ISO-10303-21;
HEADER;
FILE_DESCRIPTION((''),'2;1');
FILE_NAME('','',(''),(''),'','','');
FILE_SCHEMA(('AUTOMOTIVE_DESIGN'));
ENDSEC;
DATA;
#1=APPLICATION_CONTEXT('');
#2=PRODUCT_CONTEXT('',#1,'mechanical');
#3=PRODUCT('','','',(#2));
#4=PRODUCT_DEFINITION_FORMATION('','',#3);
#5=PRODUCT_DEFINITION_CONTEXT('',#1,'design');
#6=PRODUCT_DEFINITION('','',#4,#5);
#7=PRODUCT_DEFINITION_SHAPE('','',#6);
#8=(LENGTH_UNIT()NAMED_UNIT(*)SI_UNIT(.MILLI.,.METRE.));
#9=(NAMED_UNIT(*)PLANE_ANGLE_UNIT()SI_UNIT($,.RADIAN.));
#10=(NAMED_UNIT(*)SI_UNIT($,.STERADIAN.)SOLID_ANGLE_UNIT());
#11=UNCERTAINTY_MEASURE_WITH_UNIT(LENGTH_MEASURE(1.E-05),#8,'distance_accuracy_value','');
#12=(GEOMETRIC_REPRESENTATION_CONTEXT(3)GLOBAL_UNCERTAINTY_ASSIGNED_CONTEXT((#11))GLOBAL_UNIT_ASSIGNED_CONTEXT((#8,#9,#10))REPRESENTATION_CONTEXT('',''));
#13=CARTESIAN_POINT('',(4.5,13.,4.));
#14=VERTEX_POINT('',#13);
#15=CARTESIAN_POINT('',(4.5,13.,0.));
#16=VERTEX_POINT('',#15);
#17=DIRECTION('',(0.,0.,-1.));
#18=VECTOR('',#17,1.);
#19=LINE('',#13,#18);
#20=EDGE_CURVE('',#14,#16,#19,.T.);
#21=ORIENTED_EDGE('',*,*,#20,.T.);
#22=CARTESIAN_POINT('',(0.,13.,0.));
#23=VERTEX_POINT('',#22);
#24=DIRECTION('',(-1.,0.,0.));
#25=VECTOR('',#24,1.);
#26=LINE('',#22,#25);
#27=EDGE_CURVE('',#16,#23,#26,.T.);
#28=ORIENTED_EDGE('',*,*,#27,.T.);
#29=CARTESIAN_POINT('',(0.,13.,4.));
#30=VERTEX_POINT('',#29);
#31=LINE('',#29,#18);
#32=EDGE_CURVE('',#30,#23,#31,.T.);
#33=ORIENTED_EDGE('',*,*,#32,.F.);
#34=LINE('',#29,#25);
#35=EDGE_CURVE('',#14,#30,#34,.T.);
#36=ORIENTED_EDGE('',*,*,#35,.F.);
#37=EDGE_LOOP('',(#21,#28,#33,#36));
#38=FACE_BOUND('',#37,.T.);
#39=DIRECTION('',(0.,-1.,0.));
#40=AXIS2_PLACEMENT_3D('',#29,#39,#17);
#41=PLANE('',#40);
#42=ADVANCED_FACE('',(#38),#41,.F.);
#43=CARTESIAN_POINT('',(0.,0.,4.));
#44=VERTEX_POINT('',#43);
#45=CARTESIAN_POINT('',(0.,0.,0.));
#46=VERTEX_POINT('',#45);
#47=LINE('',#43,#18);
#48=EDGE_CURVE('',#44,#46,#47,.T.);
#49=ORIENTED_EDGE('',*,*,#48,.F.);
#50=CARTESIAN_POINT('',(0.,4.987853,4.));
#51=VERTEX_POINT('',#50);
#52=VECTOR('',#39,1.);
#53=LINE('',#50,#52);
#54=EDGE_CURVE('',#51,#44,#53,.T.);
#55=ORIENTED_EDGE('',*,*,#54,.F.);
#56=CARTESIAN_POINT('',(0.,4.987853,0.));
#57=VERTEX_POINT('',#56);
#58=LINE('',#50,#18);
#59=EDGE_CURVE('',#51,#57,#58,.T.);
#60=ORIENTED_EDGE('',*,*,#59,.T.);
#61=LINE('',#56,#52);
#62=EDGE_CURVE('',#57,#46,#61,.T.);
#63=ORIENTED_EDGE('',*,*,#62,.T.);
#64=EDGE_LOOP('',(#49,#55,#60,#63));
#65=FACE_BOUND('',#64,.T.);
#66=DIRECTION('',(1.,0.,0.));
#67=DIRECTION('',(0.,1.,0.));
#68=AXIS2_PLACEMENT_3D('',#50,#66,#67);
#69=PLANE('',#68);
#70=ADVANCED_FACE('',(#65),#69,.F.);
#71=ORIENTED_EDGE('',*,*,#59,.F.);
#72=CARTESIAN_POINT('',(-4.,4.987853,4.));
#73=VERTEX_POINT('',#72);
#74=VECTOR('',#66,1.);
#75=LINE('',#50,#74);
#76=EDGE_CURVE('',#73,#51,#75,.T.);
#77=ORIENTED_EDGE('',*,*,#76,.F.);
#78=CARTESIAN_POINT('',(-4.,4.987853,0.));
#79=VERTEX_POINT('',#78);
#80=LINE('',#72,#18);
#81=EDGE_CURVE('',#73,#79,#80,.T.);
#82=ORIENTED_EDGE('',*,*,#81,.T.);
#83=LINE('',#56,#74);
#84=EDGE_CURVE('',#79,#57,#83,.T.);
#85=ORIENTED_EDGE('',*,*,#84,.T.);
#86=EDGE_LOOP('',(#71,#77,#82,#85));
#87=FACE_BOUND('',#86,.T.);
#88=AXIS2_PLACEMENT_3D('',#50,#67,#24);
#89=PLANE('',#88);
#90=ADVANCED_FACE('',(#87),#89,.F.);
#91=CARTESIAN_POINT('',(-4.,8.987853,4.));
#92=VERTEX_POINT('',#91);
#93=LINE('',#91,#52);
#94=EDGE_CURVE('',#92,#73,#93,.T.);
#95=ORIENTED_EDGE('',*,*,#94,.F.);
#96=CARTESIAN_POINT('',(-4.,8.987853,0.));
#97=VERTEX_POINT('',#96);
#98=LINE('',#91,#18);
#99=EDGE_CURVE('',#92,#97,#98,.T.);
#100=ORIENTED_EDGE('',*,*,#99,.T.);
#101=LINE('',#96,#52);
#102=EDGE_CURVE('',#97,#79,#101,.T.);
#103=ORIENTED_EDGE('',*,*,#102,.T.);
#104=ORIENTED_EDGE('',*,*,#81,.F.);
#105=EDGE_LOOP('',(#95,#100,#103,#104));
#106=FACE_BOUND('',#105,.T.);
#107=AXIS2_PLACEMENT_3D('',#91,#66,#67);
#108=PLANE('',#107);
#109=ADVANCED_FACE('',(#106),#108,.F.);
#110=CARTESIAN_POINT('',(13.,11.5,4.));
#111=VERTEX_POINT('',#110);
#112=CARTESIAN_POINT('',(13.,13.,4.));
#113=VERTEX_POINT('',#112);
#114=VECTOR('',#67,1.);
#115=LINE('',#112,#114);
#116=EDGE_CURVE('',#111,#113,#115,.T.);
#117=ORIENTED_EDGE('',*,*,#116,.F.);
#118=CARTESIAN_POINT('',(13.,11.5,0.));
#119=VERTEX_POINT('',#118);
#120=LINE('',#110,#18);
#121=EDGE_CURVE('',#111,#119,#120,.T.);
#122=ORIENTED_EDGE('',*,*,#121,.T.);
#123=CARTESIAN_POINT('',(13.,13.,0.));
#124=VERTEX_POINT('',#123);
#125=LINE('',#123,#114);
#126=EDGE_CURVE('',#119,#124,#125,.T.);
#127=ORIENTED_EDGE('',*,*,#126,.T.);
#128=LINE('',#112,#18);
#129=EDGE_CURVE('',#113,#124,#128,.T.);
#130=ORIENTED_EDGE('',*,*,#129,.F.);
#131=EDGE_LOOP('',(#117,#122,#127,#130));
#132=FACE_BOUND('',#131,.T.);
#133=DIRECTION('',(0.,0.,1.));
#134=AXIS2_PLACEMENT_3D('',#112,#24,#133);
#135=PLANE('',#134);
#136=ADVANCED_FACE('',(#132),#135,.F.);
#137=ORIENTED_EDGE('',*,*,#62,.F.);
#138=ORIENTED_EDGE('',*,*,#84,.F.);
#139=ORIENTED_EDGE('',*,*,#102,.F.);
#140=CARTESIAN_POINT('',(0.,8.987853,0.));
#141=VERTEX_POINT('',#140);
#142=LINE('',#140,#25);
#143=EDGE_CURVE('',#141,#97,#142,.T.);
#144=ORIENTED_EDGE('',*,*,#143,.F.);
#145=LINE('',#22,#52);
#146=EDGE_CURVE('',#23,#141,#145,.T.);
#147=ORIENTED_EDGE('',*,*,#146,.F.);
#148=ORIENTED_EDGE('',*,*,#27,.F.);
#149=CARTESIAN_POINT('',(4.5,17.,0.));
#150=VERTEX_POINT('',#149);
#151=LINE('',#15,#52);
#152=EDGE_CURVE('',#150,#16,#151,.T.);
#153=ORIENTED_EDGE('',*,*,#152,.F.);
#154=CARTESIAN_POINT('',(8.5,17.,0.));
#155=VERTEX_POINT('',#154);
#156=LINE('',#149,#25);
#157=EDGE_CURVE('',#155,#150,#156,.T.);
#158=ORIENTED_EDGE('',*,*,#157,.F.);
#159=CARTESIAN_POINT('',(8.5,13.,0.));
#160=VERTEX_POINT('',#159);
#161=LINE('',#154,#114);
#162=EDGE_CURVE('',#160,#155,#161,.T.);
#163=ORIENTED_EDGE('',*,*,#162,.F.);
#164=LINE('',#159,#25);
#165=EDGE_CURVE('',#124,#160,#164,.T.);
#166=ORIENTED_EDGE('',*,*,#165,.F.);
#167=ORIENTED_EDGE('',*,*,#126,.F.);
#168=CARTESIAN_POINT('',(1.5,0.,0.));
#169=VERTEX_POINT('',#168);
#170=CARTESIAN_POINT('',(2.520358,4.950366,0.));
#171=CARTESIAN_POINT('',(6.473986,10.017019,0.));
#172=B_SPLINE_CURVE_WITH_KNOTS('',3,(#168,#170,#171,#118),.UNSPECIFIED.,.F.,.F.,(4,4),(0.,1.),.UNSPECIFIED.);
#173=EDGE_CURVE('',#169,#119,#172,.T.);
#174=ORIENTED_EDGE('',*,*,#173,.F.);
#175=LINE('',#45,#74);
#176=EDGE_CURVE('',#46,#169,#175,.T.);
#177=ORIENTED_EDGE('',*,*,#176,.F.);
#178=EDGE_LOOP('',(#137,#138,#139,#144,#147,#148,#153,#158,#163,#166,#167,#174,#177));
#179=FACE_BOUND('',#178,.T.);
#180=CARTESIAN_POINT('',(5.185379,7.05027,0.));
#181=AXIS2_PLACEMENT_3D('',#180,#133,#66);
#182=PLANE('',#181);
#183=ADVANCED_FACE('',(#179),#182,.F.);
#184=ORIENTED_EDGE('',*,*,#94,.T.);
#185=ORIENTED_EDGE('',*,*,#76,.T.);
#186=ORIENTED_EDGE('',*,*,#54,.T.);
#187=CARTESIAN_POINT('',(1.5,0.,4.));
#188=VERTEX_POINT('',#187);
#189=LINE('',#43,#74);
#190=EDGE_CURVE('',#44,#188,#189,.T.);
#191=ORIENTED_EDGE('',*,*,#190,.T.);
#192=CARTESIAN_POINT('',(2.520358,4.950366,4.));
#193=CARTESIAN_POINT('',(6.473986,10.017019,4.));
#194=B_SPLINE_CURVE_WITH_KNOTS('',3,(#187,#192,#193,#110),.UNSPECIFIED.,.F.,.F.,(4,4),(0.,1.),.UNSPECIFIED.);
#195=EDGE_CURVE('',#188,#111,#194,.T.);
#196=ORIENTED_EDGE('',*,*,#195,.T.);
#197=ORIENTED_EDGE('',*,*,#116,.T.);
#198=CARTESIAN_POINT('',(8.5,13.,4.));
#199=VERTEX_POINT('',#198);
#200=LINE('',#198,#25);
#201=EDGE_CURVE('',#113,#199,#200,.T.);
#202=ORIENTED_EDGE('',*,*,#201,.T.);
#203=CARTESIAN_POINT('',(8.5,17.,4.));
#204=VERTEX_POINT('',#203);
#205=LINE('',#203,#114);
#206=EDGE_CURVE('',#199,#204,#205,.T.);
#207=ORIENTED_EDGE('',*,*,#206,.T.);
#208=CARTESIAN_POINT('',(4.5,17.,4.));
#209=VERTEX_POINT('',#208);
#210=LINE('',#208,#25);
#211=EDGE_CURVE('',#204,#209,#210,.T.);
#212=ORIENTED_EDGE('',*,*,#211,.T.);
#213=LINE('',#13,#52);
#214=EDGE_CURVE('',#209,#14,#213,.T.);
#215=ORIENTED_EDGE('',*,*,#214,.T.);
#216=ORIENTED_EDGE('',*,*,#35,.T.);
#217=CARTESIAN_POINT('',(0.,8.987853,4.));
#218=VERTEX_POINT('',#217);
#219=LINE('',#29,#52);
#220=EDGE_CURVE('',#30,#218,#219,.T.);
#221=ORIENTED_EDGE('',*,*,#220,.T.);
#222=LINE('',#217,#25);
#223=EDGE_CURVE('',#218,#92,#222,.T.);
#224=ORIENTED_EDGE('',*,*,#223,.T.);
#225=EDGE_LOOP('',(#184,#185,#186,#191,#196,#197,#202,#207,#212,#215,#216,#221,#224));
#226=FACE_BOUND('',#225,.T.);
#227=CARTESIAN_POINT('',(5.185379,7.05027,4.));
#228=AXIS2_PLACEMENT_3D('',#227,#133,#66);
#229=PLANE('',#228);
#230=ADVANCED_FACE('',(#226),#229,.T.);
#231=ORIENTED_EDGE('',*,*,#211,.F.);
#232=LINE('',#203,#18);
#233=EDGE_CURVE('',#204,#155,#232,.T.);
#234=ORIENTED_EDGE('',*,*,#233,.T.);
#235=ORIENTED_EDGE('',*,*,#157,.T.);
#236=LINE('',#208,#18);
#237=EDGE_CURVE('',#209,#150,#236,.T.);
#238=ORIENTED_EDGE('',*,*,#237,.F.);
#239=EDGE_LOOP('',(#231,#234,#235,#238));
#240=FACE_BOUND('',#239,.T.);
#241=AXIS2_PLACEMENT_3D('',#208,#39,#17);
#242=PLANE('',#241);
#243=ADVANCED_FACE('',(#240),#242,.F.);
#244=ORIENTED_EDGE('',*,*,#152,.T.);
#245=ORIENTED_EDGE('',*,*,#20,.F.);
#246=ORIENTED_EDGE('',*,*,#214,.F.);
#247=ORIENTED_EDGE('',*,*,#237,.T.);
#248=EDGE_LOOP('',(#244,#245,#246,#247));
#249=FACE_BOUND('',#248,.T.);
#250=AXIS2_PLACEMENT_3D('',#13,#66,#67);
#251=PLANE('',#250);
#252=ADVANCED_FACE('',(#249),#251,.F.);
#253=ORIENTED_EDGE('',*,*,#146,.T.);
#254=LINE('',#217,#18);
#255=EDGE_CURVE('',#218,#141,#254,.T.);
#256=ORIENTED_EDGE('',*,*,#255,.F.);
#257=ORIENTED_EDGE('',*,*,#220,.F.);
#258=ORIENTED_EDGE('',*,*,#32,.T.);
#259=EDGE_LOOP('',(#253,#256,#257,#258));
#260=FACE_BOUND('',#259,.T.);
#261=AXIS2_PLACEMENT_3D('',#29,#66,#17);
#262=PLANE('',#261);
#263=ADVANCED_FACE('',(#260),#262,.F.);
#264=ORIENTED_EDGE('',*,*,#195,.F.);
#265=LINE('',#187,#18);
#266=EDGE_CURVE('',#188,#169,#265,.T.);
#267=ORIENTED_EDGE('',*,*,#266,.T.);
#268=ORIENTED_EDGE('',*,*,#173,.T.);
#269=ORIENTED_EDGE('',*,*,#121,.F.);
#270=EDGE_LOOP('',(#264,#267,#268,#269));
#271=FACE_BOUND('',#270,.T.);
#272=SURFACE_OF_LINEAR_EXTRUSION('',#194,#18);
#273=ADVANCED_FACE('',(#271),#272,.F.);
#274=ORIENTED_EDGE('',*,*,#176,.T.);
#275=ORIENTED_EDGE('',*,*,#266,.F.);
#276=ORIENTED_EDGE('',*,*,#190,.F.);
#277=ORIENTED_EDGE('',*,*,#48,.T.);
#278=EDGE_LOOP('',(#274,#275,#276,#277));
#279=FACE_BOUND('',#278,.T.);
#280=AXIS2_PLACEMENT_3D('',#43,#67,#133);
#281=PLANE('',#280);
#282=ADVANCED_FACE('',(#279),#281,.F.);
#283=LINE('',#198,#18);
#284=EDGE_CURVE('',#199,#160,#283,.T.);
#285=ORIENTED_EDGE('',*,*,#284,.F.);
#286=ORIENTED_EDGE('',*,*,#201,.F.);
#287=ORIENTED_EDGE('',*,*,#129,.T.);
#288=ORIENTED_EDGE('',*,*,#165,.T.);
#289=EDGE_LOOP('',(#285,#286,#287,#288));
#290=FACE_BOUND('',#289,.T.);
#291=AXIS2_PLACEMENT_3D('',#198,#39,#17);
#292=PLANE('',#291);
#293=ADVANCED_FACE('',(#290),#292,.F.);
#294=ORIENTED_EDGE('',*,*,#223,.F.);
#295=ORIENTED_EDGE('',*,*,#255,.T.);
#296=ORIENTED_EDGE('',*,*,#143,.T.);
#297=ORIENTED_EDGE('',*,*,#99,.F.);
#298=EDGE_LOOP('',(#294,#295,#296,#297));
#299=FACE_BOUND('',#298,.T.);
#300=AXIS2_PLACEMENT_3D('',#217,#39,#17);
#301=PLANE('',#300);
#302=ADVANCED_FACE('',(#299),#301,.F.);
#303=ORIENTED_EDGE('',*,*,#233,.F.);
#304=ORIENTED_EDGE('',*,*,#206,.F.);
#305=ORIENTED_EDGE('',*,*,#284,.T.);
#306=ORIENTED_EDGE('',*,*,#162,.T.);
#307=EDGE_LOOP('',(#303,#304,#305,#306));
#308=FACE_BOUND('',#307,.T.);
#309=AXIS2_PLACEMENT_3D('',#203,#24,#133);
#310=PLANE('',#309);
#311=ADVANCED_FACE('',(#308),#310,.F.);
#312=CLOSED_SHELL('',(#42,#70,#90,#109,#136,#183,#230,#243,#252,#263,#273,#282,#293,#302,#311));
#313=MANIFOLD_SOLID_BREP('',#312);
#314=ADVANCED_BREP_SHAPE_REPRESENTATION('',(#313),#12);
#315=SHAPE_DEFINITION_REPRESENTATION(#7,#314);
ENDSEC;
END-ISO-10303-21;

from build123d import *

# Parameters (mm, degrees)
BOSS_EXTRUDE1_DEPTH = 4


with BuildPart() as part:
    # Sketch1 → Boss-Extrude1 (new body)
    with BuildSketch(Plane.XY):
        with BuildLine():
            Line((0, 13), (4.5, 13))
            Line((4.5, 13), (4.5, 17))
            Line((4.5, 17), (8.5, 17))
            Line((8.5, 17), (8.5, 13))
            Line((8.5, 13), (13, 13))
            Line((13, 13), (13, 11.5))
            add(Edge.make_bspline(
                [(1.5, 0), (2.52035849, 4.950366231), (6.473986228, 10.017019138), (13, 11.5)],
                knots=[0, 0, 0, 0, 1, 1, 1, 1], degree=3))
            Line((1.5, 0), (0, 0))
            Line((0, 0), (0, 4.987852908))
            Line((0, 4.987852908), (-4, 4.987852908))
            Line((-4, 4.987852908), (-4, 8.987852908))
            Line((-4, 8.987852908), (0, 8.987852908))
            Line((0, 8.987852908), (0, 13))
        make_face()
    extrude(amount=BOSS_EXTRUDE1_DEPTH)


solid = part.part
